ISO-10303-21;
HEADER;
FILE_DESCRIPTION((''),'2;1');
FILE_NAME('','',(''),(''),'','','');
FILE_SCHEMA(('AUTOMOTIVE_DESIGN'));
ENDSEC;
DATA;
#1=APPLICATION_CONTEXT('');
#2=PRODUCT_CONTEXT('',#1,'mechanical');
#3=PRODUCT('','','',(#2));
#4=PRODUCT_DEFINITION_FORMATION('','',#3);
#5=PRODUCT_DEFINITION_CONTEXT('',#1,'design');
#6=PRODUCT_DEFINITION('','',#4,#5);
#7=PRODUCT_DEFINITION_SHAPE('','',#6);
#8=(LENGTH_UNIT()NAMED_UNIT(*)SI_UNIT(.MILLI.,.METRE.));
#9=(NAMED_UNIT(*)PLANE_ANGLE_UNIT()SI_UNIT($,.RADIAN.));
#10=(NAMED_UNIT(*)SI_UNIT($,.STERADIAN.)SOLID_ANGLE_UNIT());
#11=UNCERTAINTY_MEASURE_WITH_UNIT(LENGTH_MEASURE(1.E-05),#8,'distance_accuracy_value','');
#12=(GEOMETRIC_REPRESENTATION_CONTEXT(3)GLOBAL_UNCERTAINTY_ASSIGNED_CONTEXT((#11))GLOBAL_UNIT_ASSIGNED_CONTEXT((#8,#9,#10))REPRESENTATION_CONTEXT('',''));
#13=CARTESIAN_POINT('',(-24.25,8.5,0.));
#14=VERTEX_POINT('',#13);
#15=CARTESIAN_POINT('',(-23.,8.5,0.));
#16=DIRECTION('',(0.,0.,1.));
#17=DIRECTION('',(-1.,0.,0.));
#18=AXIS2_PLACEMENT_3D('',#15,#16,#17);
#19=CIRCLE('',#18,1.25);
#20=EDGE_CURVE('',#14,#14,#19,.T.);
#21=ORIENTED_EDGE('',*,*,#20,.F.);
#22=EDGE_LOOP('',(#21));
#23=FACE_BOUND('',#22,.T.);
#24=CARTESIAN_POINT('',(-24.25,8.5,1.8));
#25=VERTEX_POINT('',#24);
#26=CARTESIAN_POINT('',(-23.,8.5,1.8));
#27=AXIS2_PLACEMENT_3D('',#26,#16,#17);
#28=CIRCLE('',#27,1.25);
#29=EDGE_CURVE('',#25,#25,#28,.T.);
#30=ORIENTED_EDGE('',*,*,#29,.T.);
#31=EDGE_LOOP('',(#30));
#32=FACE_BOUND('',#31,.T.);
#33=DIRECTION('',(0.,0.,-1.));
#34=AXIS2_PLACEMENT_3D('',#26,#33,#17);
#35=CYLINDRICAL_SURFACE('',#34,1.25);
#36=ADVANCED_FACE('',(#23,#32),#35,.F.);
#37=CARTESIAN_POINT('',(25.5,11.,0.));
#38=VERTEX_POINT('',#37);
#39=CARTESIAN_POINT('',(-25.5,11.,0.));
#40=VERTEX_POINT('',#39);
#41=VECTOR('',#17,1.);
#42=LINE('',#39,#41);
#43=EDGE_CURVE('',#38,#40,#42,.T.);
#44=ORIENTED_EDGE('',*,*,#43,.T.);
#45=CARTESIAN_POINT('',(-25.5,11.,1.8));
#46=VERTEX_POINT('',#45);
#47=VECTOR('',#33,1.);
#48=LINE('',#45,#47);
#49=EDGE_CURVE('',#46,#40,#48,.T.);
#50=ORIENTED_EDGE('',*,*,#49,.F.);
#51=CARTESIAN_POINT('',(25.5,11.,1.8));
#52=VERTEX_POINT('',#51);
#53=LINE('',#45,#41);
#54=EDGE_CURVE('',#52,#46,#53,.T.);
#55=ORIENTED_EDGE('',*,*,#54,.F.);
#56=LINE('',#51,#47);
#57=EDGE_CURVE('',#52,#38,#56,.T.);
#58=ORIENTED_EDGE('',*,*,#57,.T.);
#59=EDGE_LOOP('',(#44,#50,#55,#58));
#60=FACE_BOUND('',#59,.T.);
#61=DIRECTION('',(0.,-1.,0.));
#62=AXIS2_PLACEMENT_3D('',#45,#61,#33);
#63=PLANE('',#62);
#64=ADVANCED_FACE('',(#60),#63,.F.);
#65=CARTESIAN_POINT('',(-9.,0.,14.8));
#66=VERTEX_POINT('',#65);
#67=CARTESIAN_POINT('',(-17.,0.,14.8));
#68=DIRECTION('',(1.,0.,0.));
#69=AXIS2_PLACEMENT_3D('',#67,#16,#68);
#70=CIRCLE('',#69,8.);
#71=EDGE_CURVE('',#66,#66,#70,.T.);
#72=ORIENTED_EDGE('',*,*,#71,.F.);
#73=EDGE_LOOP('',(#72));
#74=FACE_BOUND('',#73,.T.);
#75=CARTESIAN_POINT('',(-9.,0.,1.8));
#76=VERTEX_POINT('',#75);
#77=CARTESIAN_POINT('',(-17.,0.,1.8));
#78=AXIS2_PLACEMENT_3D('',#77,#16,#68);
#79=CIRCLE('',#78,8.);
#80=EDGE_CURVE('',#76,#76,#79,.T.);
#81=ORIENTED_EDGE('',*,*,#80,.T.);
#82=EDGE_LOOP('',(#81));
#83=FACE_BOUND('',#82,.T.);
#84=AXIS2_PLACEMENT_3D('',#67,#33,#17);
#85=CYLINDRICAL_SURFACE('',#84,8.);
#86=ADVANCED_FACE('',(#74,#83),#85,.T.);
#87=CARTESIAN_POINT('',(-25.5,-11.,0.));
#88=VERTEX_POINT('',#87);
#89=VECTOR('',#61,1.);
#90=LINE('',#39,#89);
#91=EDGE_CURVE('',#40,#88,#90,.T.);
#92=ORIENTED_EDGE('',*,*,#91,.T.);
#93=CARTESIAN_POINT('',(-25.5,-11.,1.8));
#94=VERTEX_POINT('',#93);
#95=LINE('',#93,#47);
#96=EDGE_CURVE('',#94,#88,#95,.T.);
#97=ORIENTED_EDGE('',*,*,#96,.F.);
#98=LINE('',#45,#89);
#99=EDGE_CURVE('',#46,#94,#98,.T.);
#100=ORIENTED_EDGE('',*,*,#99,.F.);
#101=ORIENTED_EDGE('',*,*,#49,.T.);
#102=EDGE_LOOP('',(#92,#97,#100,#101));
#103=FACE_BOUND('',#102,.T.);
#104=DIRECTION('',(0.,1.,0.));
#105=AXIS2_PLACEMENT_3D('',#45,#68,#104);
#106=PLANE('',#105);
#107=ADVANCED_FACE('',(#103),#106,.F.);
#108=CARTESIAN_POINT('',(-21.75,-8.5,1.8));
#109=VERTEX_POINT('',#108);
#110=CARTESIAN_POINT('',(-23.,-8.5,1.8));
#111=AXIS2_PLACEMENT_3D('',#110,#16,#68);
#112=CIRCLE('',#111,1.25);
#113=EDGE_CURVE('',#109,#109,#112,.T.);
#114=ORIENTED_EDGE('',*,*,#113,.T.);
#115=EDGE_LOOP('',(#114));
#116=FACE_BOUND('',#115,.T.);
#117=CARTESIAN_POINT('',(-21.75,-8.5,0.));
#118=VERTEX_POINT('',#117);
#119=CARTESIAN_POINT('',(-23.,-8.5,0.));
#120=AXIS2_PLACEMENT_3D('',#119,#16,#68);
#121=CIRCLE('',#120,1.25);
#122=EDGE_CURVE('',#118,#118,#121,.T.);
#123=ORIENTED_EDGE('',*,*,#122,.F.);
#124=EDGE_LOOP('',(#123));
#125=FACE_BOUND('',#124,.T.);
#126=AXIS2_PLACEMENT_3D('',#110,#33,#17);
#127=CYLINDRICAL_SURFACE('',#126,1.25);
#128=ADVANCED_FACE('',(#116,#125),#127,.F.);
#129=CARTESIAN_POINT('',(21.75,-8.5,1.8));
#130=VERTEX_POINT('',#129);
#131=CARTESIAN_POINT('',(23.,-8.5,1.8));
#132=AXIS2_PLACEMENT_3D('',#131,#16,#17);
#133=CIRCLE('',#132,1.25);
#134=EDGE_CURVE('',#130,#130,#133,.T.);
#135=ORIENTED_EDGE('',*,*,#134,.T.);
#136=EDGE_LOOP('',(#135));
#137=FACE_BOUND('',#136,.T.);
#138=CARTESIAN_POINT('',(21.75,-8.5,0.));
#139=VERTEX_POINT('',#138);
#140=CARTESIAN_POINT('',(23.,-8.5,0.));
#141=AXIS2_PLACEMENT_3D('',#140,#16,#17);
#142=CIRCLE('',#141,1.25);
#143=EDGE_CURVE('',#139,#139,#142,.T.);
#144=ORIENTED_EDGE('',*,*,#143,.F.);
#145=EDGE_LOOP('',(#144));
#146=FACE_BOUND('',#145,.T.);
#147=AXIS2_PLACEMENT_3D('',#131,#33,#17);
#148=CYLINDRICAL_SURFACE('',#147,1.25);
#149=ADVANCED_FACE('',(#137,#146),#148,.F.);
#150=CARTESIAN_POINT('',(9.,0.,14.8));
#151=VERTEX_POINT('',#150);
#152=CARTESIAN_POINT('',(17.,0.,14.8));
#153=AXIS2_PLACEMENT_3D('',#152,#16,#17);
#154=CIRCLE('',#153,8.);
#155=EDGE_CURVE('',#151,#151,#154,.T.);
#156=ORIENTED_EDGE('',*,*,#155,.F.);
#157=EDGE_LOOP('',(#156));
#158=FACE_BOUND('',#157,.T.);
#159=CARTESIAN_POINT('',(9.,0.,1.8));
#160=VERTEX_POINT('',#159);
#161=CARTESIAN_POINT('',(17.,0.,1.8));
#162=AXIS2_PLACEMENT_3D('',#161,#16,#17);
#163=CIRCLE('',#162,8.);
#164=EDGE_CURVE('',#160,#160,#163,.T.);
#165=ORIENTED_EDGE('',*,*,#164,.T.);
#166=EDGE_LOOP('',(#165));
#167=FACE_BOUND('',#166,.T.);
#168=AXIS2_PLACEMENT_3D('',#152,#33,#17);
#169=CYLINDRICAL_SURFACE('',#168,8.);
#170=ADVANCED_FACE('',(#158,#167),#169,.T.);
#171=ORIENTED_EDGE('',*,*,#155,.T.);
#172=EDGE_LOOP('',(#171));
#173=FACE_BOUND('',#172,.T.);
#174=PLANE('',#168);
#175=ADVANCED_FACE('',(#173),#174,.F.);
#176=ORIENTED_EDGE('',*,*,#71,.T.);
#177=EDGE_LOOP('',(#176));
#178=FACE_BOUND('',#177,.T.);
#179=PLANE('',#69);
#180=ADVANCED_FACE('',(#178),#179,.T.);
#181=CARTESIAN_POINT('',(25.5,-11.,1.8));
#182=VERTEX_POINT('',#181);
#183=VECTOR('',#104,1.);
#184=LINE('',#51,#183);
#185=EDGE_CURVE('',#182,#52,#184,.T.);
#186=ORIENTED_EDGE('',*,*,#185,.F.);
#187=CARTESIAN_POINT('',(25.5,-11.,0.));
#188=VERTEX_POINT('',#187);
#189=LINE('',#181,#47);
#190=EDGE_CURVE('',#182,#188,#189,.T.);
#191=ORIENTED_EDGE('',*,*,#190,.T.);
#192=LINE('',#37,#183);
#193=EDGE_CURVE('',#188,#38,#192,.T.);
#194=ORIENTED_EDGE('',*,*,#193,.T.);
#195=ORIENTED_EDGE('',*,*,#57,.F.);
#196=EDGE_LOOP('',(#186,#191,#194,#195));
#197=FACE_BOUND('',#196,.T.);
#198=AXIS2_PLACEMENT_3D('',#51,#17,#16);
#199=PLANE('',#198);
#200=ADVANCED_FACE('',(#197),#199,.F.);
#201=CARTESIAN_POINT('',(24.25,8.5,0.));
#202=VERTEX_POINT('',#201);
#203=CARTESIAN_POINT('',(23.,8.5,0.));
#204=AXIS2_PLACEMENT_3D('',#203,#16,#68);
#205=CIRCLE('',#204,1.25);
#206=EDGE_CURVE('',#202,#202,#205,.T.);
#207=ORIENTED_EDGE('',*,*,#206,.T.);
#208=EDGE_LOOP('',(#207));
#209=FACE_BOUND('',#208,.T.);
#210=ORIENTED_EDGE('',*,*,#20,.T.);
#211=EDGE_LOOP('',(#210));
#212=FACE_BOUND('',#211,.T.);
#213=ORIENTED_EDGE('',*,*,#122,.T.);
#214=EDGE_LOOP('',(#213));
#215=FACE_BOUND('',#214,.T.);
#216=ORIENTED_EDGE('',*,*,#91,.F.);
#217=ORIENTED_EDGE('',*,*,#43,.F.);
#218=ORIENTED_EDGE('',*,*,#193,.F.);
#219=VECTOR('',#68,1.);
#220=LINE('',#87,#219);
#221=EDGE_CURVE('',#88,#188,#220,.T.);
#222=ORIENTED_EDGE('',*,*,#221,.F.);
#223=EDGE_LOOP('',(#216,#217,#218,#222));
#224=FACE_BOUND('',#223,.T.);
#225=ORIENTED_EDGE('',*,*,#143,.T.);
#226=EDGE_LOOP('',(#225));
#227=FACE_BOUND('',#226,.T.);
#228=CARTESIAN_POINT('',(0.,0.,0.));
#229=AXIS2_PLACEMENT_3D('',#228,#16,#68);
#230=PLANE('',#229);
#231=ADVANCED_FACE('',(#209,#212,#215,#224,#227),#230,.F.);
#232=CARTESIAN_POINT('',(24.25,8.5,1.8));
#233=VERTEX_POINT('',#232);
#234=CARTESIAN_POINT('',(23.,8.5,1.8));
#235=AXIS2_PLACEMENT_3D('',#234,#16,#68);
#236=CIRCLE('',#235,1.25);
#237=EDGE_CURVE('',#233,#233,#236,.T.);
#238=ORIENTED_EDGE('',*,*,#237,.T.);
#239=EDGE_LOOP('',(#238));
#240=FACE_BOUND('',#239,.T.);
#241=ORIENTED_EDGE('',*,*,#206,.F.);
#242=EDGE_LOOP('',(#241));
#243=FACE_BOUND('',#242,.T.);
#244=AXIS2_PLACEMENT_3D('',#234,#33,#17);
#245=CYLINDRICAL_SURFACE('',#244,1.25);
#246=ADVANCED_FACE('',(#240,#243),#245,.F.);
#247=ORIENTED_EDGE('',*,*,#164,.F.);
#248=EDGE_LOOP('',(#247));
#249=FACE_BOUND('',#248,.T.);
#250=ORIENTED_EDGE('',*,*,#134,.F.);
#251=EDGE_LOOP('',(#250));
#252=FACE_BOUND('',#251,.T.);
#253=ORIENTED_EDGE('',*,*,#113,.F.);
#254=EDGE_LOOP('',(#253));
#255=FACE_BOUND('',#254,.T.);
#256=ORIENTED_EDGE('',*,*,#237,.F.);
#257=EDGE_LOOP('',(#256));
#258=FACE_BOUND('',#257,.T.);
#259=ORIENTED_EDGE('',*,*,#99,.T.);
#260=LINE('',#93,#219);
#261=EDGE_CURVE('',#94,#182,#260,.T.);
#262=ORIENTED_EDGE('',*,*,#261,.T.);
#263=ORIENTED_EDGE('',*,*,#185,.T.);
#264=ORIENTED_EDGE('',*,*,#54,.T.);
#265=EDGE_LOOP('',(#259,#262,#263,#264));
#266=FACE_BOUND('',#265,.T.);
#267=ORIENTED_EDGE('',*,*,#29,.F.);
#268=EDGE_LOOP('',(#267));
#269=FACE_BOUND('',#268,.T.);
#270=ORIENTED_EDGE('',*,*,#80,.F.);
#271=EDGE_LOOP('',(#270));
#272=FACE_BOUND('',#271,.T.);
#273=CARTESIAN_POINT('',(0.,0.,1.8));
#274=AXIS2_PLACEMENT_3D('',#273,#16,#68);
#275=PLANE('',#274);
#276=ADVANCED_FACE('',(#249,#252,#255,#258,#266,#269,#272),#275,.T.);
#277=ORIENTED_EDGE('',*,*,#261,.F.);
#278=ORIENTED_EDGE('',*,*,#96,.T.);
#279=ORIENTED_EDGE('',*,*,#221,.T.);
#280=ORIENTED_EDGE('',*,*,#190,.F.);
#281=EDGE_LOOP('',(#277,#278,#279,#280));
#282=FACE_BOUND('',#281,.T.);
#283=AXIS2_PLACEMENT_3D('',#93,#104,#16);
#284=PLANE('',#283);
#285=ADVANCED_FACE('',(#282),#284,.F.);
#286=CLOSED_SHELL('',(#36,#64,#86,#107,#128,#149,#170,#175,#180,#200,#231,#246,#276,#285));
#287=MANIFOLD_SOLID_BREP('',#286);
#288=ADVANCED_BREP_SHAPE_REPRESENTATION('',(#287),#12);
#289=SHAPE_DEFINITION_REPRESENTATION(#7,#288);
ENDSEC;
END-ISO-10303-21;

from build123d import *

# Parameters (mm, degrees)
SKETCH1_W           = 51
SKETCH1_H           = 22
SKETCH1_R           = 1.25
BOSS_EXTRUDE1_DEPTH = 1.8
SKETCH2_R           = 8
BOSS_EXTRUDE2_DEPTH = 13


with BuildPart() as part:
    # Sketch1 → Boss-Extrude1 (new body)
    with BuildSketch(Plane.XY):
        Rectangle(SKETCH1_W, SKETCH1_H)
        with Locations((-23, -8.5)):
            Circle(SKETCH1_R, mode=Mode.SUBTRACT)
        with Locations((-23, 8.5)):
            Circle(SKETCH1_R, mode=Mode.SUBTRACT)
        with Locations((23, 8.5)):
            Circle(SKETCH1_R, mode=Mode.SUBTRACT)
        with Locations((23, -8.5)):
            Circle(SKETCH1_R, mode=Mode.SUBTRACT)
    extrude(amount=BOSS_EXTRUDE1_DEPTH)

    # Sketch2 → Boss-Extrude2 (add)
    with BuildSketch(Plane.XY.offset(1.8)):
        with Locations((-17, 0)):
            Circle(SKETCH2_R)
        with Locations((17, 0)):
            Circle(SKETCH2_R)
    extrude(amount=BOSS_EXTRUDE2_DEPTH)


solid = part.part
